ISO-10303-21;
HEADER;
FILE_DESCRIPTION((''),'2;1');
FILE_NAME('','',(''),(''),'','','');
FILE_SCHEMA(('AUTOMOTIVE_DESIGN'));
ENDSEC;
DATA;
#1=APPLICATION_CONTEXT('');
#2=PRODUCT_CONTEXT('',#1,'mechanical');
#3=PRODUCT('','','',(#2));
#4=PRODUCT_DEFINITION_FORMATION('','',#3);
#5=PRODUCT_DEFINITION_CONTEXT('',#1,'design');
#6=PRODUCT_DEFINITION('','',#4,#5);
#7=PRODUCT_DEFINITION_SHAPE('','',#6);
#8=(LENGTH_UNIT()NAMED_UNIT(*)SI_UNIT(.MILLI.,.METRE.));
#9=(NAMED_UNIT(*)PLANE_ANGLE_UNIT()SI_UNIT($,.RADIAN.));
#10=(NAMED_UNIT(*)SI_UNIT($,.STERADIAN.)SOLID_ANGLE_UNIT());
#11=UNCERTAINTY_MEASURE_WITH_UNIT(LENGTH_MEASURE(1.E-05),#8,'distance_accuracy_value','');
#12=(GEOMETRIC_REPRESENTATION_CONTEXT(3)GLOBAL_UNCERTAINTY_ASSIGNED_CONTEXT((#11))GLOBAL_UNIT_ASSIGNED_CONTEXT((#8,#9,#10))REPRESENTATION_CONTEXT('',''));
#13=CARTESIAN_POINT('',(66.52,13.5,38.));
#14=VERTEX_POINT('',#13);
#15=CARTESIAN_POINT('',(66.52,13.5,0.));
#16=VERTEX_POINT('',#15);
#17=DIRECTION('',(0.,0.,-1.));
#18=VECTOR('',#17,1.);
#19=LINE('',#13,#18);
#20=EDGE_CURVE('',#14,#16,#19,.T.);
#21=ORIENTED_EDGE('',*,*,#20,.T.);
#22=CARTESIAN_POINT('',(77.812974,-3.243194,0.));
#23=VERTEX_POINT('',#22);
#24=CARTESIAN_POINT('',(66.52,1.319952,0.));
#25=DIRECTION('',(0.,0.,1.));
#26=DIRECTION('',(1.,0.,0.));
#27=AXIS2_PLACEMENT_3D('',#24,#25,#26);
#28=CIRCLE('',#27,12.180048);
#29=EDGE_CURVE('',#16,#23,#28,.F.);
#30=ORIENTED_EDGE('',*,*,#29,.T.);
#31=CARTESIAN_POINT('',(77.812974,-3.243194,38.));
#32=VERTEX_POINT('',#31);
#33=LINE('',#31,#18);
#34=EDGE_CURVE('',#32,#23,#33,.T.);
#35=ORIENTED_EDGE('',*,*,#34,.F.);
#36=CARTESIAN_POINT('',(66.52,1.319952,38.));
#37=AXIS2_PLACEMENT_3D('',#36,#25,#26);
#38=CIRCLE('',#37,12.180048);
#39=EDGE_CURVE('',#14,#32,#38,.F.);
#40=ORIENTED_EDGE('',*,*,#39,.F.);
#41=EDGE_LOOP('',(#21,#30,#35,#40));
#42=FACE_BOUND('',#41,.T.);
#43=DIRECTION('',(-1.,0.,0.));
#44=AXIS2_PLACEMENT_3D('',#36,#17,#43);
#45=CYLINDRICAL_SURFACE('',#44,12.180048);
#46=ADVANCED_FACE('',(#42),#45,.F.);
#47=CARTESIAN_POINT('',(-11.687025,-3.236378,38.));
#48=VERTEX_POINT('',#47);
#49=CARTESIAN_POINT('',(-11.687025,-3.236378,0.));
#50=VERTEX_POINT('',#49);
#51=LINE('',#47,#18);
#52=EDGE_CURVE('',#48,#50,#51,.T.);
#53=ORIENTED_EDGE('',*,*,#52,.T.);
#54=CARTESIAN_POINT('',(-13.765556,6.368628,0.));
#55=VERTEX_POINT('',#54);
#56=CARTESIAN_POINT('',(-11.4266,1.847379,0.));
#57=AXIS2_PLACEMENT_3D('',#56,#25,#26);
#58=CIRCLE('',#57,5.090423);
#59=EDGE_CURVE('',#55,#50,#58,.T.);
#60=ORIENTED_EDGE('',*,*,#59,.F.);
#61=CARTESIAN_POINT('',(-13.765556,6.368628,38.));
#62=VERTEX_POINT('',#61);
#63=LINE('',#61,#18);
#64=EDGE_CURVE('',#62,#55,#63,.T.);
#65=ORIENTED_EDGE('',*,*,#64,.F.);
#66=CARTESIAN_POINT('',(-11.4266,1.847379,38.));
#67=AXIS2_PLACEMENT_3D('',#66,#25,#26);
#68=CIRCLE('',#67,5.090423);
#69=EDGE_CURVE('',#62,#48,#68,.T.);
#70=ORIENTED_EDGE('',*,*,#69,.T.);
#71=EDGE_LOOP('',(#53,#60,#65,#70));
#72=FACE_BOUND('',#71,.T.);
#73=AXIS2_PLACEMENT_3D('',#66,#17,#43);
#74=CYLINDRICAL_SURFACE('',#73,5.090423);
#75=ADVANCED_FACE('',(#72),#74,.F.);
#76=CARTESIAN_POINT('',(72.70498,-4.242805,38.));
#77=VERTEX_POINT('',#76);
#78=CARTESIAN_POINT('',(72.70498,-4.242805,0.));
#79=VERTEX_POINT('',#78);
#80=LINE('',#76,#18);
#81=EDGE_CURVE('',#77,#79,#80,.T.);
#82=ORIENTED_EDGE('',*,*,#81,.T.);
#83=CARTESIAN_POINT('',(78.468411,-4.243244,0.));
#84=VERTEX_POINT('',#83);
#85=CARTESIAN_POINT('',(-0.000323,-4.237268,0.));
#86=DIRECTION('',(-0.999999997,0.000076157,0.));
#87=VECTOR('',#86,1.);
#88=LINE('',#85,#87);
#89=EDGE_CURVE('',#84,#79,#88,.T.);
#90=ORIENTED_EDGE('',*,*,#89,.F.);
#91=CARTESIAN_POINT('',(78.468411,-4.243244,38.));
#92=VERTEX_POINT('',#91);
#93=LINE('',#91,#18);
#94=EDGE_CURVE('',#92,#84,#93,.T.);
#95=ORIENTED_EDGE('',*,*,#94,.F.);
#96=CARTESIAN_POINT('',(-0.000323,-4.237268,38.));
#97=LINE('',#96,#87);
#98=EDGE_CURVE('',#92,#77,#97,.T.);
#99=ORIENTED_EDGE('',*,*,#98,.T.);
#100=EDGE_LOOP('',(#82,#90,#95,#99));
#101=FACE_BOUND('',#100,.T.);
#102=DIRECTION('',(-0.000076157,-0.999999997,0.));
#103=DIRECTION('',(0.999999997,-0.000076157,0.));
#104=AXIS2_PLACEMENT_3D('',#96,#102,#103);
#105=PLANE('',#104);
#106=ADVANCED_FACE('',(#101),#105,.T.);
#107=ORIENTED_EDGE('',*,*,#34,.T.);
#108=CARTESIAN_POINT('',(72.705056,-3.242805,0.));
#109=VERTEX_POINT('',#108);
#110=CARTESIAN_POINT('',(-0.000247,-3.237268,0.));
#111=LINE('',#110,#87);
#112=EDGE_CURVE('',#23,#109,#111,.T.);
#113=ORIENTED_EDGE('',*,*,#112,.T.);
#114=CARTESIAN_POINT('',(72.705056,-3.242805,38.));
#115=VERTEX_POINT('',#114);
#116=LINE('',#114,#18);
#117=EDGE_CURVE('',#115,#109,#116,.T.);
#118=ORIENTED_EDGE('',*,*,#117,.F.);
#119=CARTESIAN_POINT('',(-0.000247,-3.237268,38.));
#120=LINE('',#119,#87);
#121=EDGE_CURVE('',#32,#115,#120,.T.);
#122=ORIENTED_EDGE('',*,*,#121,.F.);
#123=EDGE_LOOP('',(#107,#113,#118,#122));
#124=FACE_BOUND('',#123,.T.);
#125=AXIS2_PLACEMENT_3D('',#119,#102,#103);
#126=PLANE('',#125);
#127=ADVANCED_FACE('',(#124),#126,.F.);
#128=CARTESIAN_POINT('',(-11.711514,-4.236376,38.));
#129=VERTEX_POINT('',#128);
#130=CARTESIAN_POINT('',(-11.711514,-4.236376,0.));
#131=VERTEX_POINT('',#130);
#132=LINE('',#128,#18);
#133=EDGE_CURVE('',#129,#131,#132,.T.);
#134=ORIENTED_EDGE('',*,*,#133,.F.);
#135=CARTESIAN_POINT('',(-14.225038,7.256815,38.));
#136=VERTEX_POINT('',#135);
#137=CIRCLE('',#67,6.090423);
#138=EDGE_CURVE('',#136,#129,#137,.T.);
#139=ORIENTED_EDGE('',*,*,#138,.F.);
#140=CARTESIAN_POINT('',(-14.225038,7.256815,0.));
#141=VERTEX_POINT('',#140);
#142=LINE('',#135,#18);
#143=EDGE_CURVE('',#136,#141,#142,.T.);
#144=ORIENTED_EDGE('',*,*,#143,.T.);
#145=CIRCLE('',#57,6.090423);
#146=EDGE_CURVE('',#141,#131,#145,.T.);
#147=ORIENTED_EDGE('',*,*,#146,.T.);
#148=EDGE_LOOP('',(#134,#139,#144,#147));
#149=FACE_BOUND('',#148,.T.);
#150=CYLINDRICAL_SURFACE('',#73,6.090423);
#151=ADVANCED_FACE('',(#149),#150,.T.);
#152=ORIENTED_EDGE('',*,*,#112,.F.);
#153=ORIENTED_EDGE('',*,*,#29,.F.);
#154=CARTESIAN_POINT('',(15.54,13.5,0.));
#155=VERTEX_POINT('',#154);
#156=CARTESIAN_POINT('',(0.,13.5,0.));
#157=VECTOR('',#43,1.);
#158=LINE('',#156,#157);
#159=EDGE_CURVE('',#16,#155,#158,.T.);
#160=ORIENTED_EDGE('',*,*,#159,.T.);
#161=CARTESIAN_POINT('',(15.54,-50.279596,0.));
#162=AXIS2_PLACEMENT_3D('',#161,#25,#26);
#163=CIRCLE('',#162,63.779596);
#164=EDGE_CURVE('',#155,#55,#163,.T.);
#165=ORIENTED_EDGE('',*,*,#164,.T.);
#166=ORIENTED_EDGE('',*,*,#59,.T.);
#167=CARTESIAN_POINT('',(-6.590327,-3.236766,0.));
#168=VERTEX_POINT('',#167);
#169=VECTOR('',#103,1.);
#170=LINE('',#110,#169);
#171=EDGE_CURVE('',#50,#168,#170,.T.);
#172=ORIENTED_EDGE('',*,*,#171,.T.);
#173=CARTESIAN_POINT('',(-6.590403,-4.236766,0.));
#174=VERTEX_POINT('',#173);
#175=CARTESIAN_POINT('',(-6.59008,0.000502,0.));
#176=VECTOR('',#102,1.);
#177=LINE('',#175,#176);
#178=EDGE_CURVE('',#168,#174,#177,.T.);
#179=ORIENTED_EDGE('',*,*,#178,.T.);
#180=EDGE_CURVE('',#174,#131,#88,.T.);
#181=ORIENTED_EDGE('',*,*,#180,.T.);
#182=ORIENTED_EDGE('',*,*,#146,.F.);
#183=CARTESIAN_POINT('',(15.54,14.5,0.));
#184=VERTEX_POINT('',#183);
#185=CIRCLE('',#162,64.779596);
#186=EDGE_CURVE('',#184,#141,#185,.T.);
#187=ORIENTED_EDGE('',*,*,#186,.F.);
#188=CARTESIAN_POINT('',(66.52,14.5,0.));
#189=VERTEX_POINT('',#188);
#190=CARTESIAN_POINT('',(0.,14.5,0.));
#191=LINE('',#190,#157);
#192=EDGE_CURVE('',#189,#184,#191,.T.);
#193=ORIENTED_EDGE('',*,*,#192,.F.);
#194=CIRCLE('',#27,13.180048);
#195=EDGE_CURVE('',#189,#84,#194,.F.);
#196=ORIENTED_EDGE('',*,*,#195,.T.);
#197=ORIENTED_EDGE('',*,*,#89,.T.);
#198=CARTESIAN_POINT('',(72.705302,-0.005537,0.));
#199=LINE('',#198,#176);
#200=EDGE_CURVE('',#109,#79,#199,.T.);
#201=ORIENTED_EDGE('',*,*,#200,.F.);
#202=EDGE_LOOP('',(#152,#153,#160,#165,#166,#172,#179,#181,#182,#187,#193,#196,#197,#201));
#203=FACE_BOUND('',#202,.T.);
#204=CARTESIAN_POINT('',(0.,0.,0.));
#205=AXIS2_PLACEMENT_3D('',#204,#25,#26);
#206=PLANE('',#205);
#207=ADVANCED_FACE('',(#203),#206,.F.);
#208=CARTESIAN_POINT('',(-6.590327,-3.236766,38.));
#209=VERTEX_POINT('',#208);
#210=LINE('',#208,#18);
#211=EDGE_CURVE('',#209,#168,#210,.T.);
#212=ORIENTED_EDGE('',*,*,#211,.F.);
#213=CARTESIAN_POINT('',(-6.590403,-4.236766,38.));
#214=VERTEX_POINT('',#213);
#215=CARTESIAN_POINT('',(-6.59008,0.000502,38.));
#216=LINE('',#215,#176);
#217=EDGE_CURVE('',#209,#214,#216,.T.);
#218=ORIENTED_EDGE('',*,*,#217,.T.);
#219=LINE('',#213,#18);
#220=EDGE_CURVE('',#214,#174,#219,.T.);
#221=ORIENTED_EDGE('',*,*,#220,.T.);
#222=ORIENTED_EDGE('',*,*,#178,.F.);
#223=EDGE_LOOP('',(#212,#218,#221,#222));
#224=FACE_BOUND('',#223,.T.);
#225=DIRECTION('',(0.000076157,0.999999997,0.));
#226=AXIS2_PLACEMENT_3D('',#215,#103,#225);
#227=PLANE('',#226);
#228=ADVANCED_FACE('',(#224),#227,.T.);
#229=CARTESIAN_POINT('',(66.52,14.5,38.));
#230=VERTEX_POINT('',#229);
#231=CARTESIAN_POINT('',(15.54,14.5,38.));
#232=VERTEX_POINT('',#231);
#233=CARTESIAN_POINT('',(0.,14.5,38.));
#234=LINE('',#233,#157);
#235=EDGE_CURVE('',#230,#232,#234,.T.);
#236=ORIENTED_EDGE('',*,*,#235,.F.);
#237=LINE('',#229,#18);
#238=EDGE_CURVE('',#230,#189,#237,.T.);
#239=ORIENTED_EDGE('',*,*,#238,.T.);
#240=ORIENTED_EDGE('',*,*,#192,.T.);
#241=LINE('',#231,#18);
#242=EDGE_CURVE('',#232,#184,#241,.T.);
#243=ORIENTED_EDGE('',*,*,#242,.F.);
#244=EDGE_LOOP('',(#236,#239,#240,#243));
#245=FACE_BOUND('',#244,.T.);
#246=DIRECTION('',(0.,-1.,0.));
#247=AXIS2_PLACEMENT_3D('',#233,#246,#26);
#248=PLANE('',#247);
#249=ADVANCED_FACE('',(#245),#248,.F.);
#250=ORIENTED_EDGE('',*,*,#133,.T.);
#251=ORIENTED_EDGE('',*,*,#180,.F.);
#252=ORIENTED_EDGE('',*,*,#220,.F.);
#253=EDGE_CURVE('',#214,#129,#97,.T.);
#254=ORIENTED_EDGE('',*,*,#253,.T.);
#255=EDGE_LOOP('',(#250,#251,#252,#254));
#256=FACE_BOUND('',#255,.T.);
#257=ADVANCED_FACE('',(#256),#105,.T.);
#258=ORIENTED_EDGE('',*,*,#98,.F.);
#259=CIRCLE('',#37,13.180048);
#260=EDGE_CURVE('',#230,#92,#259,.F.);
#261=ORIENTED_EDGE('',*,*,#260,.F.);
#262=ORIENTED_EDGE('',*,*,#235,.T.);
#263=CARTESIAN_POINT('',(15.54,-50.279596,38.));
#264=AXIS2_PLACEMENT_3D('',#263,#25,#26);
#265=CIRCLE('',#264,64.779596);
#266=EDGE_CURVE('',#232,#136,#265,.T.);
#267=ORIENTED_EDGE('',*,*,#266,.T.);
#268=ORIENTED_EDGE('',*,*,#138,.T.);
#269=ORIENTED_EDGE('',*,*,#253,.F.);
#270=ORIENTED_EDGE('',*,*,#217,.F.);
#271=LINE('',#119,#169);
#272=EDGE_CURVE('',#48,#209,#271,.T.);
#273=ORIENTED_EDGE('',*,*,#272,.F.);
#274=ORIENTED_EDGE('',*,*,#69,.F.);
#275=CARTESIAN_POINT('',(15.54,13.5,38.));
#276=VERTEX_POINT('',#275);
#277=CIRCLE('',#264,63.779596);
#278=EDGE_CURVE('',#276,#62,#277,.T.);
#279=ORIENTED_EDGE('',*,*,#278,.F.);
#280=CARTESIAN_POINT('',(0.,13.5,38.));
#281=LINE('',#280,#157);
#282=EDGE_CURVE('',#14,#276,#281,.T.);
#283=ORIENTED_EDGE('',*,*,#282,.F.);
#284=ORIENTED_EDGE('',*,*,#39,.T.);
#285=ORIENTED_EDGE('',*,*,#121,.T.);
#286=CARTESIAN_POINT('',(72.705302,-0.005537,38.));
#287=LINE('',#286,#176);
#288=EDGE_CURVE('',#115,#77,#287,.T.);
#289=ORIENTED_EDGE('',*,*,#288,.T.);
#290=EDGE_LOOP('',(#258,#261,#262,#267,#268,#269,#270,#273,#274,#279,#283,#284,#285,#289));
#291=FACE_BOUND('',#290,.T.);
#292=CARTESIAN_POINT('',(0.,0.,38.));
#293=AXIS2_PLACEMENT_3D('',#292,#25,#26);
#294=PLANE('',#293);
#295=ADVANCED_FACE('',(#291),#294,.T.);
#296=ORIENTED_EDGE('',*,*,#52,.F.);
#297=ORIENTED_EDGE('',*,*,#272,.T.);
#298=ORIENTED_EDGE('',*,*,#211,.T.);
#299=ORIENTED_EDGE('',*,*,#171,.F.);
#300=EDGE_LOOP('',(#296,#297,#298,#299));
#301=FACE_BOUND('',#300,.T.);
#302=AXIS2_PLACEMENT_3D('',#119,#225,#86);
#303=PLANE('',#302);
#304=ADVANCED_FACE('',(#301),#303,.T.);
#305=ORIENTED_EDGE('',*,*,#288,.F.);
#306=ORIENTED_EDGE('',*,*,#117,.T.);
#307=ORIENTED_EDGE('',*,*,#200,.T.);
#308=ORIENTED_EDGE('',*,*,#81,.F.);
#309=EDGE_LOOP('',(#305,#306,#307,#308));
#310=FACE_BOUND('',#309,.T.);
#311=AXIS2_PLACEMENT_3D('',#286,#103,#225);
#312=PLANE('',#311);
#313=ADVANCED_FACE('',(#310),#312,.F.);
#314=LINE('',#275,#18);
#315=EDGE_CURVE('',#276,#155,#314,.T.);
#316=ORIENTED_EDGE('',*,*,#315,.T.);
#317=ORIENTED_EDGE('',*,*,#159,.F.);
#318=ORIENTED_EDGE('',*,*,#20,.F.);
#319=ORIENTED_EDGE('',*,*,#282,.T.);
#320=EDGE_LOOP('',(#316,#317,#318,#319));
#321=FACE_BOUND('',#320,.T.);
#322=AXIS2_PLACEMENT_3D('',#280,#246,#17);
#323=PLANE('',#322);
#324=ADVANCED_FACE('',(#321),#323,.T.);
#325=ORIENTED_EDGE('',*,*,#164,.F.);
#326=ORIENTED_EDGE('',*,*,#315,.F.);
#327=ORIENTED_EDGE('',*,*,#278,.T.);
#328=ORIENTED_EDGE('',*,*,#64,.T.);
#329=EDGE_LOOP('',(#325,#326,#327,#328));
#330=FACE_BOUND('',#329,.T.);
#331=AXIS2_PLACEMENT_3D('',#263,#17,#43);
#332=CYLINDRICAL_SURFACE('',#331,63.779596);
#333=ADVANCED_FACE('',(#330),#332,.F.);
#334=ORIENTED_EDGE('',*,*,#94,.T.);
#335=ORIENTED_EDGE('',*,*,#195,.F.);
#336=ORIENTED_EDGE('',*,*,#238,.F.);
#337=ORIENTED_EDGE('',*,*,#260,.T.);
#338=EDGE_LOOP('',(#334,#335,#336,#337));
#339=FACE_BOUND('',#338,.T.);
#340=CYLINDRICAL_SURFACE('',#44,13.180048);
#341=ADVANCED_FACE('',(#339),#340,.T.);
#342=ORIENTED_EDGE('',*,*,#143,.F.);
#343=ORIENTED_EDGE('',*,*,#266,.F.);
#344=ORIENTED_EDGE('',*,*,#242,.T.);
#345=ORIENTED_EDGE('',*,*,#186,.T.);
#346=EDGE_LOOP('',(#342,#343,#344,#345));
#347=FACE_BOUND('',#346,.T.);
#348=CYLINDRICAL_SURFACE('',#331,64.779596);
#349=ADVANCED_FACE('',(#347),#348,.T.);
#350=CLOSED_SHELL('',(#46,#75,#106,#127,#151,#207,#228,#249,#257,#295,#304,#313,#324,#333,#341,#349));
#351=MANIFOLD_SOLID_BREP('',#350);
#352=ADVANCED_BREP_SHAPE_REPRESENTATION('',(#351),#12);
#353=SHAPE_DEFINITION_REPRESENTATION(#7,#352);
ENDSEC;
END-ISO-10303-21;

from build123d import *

# Parameters (mm, degrees)
BOSS_EXTRUDE1_DEPTH = 38


with BuildPart() as part:
    # Sketch1 → Boss-Extrude1 (new body)
    with BuildSketch(Plane.XY):
        with BuildLine():
            Line((66.52, 14.5), (15.54, 14.5))
            ThreePointArc((15.54, 14.5), (0.223169493, 12.66316181), (-14.225037528, 7.256815055))
            ThreePointArc((-14.225037528, 7.256815055), (-17.376400179, 0.546177113), (-11.711514098, -4.236375954))
            Line((-11.711514098, -4.236375954), (-6.590403043, -4.236765961))
            Line((-6.590403043, -4.236765961), (-6.590326886, -3.236765964))
            Line((-6.590326886, -3.236765964), (-11.687025279, -3.236377816))
            ThreePointArc((-11.687025279, -3.236377816), (-16.401861513, 0.77072863), (-13.765555848, 6.368627808))
            ThreePointArc((-13.765555848, 6.368627808), (0.459614785, 11.691517006), (15.54, 13.5))
            Line((15.54, 13.5), (66.52, 13.5))
            ThreePointArc((66.52, 13.5), (76.617843982, 8.130760845), (77.812974461, -3.243193847))
            Line((77.812974461, -3.243193847), (72.705055873, -3.242804844))
            Line((72.705055873, -3.242804844), (72.704979716, -4.242804841))
            Line((72.704979716, -4.242804841), (78.468410832, -4.243243765))
            ThreePointArc((78.468410832, -4.243243765), (77.633884428, 8.404811863), (66.52, 14.5))
        make_face()
    extrude(amount=BOSS_EXTRUDE1_DEPTH)


solid = part.part
